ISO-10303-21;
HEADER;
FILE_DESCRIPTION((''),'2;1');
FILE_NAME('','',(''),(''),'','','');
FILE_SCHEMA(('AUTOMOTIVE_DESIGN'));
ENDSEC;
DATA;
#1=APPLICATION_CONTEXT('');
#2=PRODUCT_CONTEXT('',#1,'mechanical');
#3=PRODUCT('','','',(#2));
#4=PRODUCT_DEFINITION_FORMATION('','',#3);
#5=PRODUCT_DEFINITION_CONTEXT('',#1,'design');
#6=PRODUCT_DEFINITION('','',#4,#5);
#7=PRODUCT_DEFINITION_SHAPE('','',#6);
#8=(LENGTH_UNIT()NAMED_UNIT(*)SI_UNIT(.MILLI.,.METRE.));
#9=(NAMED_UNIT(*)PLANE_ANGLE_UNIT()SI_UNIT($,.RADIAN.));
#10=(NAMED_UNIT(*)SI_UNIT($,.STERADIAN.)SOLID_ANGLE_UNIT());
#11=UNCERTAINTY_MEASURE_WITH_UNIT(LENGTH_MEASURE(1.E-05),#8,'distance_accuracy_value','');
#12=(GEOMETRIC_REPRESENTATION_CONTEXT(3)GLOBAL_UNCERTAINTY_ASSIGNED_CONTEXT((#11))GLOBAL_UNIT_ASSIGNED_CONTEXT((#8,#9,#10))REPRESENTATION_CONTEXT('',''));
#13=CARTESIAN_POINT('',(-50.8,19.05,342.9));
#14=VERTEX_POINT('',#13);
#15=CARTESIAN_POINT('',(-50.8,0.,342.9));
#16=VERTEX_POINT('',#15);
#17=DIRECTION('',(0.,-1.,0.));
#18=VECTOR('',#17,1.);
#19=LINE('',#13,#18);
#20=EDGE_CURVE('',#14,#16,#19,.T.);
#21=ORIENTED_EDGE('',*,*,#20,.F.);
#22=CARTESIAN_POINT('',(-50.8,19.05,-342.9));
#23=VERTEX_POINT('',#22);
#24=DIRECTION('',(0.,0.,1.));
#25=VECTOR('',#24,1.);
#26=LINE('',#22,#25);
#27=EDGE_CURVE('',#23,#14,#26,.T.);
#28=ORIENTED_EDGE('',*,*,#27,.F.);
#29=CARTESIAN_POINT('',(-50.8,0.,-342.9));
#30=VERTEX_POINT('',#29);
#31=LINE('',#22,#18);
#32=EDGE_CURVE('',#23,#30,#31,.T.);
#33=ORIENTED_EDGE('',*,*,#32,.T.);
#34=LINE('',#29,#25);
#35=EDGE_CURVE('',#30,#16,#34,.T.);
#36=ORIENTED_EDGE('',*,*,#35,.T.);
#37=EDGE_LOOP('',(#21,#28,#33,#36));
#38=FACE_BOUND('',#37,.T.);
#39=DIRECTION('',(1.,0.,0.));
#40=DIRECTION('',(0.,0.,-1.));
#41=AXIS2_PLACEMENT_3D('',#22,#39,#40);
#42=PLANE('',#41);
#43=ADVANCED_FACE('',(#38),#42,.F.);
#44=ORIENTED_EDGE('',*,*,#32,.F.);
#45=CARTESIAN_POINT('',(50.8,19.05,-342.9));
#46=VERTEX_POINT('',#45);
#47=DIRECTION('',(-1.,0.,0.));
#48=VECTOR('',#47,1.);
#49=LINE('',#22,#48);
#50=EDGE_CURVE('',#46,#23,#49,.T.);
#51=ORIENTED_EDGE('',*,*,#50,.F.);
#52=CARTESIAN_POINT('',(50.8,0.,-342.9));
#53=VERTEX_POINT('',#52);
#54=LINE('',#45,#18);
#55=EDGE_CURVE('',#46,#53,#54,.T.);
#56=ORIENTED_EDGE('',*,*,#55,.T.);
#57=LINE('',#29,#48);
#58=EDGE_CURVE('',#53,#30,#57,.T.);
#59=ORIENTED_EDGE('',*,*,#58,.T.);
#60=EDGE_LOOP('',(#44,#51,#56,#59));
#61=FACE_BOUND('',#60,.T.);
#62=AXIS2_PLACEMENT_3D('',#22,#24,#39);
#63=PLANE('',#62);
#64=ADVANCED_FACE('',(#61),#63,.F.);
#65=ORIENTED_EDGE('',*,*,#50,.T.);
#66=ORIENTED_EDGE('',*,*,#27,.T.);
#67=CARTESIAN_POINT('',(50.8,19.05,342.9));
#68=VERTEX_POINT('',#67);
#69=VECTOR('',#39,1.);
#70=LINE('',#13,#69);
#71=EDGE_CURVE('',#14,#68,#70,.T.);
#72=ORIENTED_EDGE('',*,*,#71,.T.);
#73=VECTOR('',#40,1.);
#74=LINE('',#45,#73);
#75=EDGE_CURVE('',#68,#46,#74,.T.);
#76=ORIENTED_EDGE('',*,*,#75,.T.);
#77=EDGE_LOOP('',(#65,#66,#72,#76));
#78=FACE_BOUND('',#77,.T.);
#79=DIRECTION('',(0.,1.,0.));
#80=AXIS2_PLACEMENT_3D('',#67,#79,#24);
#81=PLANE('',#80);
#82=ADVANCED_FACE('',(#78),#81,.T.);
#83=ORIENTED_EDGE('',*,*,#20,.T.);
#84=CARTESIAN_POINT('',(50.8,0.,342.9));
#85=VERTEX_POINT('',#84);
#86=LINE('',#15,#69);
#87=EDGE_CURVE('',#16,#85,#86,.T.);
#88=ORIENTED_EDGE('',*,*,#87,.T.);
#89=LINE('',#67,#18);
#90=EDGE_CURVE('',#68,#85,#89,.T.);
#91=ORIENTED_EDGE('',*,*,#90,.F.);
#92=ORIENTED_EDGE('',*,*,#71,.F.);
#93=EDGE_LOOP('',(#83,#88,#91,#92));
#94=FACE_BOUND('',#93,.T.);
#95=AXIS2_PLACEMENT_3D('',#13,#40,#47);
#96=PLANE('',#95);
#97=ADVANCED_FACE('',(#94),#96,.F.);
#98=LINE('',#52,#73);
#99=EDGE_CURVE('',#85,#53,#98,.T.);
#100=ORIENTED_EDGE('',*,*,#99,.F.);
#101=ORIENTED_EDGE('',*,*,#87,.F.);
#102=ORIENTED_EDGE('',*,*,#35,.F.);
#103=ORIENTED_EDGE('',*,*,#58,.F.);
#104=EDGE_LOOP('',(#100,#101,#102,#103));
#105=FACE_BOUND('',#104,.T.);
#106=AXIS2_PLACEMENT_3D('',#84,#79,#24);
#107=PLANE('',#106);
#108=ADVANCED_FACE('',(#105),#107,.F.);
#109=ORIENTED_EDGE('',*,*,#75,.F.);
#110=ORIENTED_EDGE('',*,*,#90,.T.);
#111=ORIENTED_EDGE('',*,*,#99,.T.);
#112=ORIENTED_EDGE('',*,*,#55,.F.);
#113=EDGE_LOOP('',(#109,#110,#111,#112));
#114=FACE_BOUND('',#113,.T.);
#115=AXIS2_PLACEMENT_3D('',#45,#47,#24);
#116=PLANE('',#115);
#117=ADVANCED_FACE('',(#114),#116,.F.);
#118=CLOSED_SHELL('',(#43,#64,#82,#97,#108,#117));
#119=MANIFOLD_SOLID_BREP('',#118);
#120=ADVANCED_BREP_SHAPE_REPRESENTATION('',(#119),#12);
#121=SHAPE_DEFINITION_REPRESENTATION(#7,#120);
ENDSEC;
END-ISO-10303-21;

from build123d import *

# Parameters (mm, degrees)
SKETCH1_W           = 101.6
SKETCH1_H           = 685.8
BOSS_EXTRUDE1_DEPTH = 19.05


with BuildPart() as part:
    # Sketch1 → Boss-Extrude1 (new body)
    with BuildSketch(Plane(origin=(0, 0, 0), x_dir=(1, 0, 0), z_dir=(0, 1, 0))):
        Rectangle(SKETCH1_W, SKETCH1_H)
    extrude(amount=BOSS_EXTRUDE1_DEPTH)


solid = part.part
